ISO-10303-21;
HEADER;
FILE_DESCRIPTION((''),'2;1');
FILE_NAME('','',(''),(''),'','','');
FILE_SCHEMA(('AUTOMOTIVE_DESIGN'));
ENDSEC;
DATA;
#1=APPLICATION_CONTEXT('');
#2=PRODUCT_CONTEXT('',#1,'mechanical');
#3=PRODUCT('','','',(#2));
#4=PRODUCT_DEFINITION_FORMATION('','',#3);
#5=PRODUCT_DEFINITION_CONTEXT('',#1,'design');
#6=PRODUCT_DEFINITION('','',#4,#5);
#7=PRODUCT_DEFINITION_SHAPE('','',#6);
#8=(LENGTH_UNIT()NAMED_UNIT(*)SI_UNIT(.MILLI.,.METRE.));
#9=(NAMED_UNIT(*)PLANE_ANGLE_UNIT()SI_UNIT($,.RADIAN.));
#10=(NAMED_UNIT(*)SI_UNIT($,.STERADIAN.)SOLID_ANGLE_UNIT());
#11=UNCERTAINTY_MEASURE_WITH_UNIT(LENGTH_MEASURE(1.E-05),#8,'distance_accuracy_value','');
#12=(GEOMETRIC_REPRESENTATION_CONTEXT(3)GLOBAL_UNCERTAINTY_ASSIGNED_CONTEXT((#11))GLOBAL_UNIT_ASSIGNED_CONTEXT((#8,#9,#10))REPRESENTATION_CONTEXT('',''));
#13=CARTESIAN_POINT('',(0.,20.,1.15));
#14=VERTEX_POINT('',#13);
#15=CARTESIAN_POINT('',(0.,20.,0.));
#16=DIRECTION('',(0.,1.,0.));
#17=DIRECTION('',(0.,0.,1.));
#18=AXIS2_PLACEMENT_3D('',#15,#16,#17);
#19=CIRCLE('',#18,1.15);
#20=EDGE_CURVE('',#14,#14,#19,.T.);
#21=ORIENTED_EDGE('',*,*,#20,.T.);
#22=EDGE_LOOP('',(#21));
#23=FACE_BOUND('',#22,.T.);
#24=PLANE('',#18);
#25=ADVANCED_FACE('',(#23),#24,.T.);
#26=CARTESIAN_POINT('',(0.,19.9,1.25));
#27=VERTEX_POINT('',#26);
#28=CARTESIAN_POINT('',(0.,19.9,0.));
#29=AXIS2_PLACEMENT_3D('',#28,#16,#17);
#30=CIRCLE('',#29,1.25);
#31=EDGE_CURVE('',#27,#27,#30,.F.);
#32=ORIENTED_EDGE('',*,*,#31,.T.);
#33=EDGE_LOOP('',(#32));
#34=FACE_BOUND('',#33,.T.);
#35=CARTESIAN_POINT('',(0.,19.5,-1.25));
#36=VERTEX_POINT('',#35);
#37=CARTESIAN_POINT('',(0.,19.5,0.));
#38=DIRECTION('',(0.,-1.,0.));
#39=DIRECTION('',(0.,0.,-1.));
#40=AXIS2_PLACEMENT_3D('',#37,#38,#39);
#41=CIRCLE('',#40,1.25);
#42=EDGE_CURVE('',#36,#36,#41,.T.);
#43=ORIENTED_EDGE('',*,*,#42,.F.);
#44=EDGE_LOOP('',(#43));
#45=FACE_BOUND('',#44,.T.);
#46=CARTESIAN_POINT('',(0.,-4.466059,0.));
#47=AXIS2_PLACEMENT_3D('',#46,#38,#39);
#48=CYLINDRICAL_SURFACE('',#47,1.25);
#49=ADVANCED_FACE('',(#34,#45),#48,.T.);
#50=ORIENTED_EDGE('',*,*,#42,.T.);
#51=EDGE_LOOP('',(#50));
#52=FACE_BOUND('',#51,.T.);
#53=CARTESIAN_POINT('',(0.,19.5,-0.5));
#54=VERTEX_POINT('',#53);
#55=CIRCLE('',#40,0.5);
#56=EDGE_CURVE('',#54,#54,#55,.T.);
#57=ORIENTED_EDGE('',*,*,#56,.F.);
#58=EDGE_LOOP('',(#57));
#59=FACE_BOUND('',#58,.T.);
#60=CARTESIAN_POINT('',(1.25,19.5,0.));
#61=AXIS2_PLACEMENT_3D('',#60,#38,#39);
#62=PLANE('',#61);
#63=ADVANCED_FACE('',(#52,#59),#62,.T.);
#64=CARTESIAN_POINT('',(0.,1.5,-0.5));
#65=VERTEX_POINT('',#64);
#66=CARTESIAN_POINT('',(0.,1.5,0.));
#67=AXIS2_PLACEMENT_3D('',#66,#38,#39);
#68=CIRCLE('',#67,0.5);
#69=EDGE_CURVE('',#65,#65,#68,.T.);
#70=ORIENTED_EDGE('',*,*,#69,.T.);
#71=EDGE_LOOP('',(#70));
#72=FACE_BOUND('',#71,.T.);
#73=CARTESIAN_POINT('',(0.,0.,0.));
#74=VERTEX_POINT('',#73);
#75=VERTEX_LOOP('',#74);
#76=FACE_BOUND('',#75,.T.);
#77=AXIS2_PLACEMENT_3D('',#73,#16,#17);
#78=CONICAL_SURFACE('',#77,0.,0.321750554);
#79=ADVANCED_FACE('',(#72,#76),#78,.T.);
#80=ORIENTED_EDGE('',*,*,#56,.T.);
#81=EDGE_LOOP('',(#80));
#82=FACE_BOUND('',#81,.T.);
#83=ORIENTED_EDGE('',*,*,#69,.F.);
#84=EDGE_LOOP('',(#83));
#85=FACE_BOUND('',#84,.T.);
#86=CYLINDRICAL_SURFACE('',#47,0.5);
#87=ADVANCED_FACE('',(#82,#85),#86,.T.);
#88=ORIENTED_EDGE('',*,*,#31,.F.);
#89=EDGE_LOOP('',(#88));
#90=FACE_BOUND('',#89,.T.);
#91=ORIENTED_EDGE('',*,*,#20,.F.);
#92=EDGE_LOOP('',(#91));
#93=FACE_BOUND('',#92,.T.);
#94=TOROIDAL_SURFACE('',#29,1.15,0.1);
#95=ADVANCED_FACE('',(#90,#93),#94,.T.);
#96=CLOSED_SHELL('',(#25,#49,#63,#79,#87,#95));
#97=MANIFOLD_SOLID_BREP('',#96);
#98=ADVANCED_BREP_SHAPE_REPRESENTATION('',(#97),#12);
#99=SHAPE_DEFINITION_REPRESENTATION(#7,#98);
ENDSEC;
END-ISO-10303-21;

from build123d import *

# Parameters (mm, degrees)
FILETE1_R = 0.1


with BuildPart() as part:
    # Esboço2 → Revolução5 (revolve)
    with BuildSketch(Plane.XY, mode=Mode.PRIVATE) as revolu_o5_sk:
        Polygon((0, 0), (0, 20), (1.25, 20), (1.25, 19.5), (0.5, 19.5), (0.5, 1.5), align=None)
    revolve(revolu_o5_sk.sketch.rotate(Axis((0, -4.466059489, 0), (0, 1, 0)), 90), axis=Axis((0, -4.466059489, 0), (0, 1, 0)))

    # Filete1
    filete1_edges = [part.edges().sort_by_distance(p)[0] for p in [
        (0, 20, 1.25),
    ]]
    fillet(filete1_edges, radius=FILETE1_R)


solid = part.part
